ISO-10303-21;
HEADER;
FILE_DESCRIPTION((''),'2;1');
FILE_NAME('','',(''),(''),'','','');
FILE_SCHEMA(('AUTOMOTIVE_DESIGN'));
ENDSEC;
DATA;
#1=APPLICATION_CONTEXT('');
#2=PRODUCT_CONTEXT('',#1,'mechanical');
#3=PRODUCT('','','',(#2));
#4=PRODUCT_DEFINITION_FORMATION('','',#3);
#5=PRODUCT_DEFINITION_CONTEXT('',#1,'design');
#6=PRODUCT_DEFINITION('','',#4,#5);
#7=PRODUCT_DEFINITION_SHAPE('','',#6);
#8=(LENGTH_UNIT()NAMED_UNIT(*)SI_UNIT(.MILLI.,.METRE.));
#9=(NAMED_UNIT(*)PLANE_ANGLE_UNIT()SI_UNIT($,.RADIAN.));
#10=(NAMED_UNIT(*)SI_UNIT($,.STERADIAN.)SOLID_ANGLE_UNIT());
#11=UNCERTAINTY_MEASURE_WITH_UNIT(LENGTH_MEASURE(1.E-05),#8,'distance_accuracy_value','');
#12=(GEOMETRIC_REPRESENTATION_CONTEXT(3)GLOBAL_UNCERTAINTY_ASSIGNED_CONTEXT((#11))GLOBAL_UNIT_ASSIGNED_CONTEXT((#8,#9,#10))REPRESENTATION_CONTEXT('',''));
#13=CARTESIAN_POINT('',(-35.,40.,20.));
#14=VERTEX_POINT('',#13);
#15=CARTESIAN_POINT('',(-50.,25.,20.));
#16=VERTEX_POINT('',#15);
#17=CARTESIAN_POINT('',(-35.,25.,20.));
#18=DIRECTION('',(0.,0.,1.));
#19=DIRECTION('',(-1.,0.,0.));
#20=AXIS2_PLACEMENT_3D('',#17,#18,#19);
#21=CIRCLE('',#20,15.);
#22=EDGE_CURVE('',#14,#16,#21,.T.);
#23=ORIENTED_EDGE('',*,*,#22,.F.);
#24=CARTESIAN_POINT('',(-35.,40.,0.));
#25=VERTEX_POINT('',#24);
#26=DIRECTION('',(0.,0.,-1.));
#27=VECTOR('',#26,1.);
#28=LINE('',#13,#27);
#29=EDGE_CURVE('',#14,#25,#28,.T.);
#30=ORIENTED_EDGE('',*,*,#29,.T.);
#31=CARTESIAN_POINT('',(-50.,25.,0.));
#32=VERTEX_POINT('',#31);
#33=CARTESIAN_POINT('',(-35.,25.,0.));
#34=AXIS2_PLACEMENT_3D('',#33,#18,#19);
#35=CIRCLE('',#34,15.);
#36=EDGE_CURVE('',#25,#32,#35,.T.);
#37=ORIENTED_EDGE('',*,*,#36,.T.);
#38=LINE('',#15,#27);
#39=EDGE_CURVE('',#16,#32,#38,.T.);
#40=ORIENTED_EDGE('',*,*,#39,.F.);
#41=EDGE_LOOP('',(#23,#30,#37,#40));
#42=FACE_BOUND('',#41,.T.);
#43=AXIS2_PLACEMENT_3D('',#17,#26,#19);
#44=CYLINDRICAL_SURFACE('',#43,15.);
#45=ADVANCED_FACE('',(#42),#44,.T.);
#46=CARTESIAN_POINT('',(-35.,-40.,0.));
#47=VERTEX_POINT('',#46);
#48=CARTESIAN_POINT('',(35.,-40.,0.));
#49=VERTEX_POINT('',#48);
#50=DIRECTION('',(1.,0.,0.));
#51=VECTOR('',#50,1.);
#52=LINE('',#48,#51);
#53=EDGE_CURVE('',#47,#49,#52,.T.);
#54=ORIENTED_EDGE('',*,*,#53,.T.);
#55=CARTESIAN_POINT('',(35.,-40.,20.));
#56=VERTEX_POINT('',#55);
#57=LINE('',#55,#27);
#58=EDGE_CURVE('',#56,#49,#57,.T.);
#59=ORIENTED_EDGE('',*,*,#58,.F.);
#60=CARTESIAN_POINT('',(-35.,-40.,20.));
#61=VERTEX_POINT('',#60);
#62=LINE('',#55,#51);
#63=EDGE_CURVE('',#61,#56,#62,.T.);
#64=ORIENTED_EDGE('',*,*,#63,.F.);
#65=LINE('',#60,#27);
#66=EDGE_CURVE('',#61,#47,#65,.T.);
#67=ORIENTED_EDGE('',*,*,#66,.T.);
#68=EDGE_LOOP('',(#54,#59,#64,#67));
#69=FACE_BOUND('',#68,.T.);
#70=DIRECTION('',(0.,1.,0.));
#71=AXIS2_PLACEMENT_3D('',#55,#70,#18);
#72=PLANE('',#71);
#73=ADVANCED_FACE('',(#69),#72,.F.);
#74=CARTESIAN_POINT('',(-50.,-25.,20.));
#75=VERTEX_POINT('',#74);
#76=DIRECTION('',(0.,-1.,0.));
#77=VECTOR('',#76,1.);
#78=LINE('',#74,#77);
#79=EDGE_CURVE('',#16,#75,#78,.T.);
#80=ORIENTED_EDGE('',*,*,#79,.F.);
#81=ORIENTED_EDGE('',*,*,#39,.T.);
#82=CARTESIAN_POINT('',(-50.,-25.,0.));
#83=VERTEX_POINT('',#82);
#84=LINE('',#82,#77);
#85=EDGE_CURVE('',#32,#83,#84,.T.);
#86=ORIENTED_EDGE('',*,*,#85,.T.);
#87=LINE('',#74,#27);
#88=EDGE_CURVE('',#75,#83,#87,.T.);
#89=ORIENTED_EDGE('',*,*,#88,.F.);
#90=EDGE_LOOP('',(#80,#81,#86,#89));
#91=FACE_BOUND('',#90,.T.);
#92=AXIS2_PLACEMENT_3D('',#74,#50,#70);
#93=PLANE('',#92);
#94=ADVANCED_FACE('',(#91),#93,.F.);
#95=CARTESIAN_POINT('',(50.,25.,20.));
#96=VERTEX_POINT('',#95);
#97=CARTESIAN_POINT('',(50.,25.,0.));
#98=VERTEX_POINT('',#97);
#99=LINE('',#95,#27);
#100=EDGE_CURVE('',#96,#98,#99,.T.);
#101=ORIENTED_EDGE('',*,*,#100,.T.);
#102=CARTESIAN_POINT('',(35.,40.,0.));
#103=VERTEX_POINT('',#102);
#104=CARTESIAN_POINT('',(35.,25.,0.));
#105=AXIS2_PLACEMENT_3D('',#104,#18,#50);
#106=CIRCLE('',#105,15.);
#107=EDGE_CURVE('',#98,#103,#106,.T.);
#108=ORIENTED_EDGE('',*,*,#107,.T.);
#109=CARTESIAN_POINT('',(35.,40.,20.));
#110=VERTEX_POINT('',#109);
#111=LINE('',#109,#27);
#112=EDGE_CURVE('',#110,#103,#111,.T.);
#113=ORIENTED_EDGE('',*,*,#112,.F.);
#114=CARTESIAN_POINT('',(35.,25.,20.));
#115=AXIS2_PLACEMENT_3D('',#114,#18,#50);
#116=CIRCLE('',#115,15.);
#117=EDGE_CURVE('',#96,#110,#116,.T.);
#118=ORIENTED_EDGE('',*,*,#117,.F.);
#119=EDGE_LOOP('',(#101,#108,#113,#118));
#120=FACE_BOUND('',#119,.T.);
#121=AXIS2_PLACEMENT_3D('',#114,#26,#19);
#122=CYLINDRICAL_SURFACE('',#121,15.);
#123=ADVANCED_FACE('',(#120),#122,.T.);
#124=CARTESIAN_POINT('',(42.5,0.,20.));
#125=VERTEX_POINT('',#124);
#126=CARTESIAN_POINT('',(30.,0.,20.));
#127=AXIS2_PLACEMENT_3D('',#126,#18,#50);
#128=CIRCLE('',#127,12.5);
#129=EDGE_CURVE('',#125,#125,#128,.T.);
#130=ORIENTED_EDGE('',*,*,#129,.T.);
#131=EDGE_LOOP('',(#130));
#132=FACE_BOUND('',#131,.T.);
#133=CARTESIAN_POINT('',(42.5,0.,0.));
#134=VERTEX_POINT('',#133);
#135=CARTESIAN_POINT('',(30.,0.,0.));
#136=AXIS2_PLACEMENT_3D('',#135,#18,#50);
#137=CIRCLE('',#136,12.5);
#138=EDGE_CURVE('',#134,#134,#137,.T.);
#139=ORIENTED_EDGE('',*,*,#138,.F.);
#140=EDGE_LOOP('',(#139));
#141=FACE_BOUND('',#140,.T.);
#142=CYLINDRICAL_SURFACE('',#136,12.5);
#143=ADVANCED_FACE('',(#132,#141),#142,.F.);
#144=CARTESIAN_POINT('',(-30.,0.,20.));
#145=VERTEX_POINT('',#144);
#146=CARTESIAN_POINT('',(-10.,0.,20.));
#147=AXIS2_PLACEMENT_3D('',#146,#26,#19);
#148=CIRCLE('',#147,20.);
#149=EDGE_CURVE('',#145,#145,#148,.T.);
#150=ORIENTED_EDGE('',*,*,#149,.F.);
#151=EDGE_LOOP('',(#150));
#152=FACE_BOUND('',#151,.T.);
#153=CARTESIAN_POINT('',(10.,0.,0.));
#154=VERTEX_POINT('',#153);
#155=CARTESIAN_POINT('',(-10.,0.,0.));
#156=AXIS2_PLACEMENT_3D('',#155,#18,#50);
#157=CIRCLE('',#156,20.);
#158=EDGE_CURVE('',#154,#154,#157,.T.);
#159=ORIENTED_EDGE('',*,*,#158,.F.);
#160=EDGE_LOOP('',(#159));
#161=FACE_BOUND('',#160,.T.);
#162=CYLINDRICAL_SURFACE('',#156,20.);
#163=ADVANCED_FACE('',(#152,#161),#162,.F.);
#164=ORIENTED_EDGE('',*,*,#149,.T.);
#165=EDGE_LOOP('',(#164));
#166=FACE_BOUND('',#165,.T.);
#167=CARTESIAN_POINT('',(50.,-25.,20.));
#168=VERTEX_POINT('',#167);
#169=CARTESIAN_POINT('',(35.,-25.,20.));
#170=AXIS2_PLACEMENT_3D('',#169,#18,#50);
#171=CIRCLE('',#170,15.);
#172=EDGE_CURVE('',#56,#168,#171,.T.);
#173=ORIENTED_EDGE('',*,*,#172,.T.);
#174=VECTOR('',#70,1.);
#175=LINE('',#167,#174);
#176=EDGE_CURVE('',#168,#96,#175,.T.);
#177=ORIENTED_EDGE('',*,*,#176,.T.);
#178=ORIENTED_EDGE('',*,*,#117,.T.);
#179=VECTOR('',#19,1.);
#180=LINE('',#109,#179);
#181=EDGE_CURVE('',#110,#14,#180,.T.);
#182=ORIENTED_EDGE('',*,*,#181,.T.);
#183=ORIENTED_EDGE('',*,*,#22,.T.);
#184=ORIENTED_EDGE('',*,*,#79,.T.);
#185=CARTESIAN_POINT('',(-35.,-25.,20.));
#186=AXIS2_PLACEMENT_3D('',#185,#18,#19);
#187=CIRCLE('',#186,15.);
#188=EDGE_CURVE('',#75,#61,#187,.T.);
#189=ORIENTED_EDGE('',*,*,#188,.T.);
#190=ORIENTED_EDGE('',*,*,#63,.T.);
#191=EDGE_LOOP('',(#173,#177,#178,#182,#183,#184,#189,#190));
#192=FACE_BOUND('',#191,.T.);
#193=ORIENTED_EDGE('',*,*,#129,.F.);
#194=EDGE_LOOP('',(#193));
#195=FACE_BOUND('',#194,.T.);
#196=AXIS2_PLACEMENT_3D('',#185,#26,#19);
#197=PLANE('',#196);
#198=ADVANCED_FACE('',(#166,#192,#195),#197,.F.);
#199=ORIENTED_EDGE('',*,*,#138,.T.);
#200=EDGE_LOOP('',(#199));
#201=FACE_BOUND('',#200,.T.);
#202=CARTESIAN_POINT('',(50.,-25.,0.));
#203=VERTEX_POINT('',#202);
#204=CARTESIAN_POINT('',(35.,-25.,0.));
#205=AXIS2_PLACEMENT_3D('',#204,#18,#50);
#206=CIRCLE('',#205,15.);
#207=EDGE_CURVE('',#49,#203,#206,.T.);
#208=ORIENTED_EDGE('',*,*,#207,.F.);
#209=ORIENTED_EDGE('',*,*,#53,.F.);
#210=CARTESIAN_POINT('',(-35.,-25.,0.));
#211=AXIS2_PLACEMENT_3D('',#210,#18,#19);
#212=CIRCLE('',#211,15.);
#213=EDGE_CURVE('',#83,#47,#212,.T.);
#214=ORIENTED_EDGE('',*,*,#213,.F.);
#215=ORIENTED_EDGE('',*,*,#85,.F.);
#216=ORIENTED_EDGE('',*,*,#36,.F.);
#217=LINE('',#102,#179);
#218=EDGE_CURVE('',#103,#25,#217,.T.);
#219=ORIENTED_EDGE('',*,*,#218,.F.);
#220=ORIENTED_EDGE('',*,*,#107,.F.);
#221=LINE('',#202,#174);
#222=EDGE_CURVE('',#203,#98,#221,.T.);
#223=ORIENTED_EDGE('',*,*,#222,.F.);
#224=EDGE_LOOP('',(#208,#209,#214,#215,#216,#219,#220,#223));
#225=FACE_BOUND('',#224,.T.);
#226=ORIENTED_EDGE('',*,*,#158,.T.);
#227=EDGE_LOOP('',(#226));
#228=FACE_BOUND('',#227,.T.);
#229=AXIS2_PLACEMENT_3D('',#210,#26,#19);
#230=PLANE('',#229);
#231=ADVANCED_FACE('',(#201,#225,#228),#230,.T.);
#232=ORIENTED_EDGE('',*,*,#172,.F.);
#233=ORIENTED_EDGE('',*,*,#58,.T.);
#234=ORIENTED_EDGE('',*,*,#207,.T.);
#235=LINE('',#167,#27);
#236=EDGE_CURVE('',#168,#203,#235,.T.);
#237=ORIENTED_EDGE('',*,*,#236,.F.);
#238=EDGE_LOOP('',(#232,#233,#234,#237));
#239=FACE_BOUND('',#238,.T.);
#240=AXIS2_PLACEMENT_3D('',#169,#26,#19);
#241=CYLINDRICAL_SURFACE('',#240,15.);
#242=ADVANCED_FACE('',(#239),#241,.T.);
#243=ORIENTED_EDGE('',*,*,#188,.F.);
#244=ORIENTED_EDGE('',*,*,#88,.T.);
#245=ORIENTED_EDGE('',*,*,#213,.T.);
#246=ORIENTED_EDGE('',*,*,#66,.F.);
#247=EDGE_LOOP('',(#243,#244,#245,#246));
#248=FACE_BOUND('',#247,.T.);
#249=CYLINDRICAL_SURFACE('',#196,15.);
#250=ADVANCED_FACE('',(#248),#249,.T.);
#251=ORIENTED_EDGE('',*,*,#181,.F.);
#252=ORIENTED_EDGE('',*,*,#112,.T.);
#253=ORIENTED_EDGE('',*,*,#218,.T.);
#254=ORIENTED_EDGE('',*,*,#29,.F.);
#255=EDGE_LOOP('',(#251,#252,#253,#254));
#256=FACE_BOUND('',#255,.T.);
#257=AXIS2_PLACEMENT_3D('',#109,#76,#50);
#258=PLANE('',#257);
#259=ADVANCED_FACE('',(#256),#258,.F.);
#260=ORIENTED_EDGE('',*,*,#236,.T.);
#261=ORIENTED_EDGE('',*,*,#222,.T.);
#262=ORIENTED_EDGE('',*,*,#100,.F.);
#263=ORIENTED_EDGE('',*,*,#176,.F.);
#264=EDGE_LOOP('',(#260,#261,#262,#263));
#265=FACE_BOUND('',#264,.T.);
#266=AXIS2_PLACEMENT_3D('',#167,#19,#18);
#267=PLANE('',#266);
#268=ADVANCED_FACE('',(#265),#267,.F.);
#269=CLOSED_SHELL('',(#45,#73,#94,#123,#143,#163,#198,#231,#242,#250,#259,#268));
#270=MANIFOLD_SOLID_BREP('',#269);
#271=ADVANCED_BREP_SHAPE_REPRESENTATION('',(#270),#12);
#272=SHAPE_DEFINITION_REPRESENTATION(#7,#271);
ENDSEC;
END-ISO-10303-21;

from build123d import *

# Parameters (mm, degrees)
BOSS_EXTRUDE1_DEPTH     = 20
SKETCH3_R               = 20
CUT_EXTRUDE2_DEPTH      = 1
CUT_EXTRUDE2_DEPTH_BACK = 21
SKETCH4_R               = 12.5
CUT_EXTRUDE3_DEPTH      = 21


with BuildPart() as part:
    # Sketch1 → Boss-Extrude1 (new body)
    with BuildSketch(Plane.XY):
        with BuildLine():
            Line((35, -40), (-35, -40))
            ThreePointArc((-35, -40), (-45.606601718, -35.606601718), (-50, -25))
            Line((-50, -25), (-50, 25))
            ThreePointArc((-50, 25), (-45.606601718, 35.606601718), (-35, 40))
            Line((-35, 40), (35, 40))
            ThreePointArc((35, 40), (45.606601718, 35.606601718), (50, 25))
            Line((50, 25), (50, -25))
            ThreePointArc((50, -25), (45.606601718, -35.606601718), (35, -40))
        make_face()
    extrude(amount=BOSS_EXTRUDE1_DEPTH)

    # Sketch3 → Cut-Extrude2 (cut, two sides)
    with BuildSketch(Plane.XY.offset(20)) as cut_extrude2_sk:
        with Locations((-10, 0)):
            Circle(SKETCH3_R)
    extrude(amount=CUT_EXTRUDE2_DEPTH, mode=Mode.SUBTRACT)
    extrude(cut_extrude2_sk.sketch, amount=-CUT_EXTRUDE2_DEPTH_BACK, mode=Mode.SUBTRACT)

    # Sketch4 → Cut-Extrude3 (cut, through all)
    with BuildSketch(Plane.XY.offset(20)):
        with Locations((30, 0)):
            Circle(SKETCH4_R)
    extrude(amount=-CUT_EXTRUDE3_DEPTH, mode=Mode.SUBTRACT)


solid = part.part
